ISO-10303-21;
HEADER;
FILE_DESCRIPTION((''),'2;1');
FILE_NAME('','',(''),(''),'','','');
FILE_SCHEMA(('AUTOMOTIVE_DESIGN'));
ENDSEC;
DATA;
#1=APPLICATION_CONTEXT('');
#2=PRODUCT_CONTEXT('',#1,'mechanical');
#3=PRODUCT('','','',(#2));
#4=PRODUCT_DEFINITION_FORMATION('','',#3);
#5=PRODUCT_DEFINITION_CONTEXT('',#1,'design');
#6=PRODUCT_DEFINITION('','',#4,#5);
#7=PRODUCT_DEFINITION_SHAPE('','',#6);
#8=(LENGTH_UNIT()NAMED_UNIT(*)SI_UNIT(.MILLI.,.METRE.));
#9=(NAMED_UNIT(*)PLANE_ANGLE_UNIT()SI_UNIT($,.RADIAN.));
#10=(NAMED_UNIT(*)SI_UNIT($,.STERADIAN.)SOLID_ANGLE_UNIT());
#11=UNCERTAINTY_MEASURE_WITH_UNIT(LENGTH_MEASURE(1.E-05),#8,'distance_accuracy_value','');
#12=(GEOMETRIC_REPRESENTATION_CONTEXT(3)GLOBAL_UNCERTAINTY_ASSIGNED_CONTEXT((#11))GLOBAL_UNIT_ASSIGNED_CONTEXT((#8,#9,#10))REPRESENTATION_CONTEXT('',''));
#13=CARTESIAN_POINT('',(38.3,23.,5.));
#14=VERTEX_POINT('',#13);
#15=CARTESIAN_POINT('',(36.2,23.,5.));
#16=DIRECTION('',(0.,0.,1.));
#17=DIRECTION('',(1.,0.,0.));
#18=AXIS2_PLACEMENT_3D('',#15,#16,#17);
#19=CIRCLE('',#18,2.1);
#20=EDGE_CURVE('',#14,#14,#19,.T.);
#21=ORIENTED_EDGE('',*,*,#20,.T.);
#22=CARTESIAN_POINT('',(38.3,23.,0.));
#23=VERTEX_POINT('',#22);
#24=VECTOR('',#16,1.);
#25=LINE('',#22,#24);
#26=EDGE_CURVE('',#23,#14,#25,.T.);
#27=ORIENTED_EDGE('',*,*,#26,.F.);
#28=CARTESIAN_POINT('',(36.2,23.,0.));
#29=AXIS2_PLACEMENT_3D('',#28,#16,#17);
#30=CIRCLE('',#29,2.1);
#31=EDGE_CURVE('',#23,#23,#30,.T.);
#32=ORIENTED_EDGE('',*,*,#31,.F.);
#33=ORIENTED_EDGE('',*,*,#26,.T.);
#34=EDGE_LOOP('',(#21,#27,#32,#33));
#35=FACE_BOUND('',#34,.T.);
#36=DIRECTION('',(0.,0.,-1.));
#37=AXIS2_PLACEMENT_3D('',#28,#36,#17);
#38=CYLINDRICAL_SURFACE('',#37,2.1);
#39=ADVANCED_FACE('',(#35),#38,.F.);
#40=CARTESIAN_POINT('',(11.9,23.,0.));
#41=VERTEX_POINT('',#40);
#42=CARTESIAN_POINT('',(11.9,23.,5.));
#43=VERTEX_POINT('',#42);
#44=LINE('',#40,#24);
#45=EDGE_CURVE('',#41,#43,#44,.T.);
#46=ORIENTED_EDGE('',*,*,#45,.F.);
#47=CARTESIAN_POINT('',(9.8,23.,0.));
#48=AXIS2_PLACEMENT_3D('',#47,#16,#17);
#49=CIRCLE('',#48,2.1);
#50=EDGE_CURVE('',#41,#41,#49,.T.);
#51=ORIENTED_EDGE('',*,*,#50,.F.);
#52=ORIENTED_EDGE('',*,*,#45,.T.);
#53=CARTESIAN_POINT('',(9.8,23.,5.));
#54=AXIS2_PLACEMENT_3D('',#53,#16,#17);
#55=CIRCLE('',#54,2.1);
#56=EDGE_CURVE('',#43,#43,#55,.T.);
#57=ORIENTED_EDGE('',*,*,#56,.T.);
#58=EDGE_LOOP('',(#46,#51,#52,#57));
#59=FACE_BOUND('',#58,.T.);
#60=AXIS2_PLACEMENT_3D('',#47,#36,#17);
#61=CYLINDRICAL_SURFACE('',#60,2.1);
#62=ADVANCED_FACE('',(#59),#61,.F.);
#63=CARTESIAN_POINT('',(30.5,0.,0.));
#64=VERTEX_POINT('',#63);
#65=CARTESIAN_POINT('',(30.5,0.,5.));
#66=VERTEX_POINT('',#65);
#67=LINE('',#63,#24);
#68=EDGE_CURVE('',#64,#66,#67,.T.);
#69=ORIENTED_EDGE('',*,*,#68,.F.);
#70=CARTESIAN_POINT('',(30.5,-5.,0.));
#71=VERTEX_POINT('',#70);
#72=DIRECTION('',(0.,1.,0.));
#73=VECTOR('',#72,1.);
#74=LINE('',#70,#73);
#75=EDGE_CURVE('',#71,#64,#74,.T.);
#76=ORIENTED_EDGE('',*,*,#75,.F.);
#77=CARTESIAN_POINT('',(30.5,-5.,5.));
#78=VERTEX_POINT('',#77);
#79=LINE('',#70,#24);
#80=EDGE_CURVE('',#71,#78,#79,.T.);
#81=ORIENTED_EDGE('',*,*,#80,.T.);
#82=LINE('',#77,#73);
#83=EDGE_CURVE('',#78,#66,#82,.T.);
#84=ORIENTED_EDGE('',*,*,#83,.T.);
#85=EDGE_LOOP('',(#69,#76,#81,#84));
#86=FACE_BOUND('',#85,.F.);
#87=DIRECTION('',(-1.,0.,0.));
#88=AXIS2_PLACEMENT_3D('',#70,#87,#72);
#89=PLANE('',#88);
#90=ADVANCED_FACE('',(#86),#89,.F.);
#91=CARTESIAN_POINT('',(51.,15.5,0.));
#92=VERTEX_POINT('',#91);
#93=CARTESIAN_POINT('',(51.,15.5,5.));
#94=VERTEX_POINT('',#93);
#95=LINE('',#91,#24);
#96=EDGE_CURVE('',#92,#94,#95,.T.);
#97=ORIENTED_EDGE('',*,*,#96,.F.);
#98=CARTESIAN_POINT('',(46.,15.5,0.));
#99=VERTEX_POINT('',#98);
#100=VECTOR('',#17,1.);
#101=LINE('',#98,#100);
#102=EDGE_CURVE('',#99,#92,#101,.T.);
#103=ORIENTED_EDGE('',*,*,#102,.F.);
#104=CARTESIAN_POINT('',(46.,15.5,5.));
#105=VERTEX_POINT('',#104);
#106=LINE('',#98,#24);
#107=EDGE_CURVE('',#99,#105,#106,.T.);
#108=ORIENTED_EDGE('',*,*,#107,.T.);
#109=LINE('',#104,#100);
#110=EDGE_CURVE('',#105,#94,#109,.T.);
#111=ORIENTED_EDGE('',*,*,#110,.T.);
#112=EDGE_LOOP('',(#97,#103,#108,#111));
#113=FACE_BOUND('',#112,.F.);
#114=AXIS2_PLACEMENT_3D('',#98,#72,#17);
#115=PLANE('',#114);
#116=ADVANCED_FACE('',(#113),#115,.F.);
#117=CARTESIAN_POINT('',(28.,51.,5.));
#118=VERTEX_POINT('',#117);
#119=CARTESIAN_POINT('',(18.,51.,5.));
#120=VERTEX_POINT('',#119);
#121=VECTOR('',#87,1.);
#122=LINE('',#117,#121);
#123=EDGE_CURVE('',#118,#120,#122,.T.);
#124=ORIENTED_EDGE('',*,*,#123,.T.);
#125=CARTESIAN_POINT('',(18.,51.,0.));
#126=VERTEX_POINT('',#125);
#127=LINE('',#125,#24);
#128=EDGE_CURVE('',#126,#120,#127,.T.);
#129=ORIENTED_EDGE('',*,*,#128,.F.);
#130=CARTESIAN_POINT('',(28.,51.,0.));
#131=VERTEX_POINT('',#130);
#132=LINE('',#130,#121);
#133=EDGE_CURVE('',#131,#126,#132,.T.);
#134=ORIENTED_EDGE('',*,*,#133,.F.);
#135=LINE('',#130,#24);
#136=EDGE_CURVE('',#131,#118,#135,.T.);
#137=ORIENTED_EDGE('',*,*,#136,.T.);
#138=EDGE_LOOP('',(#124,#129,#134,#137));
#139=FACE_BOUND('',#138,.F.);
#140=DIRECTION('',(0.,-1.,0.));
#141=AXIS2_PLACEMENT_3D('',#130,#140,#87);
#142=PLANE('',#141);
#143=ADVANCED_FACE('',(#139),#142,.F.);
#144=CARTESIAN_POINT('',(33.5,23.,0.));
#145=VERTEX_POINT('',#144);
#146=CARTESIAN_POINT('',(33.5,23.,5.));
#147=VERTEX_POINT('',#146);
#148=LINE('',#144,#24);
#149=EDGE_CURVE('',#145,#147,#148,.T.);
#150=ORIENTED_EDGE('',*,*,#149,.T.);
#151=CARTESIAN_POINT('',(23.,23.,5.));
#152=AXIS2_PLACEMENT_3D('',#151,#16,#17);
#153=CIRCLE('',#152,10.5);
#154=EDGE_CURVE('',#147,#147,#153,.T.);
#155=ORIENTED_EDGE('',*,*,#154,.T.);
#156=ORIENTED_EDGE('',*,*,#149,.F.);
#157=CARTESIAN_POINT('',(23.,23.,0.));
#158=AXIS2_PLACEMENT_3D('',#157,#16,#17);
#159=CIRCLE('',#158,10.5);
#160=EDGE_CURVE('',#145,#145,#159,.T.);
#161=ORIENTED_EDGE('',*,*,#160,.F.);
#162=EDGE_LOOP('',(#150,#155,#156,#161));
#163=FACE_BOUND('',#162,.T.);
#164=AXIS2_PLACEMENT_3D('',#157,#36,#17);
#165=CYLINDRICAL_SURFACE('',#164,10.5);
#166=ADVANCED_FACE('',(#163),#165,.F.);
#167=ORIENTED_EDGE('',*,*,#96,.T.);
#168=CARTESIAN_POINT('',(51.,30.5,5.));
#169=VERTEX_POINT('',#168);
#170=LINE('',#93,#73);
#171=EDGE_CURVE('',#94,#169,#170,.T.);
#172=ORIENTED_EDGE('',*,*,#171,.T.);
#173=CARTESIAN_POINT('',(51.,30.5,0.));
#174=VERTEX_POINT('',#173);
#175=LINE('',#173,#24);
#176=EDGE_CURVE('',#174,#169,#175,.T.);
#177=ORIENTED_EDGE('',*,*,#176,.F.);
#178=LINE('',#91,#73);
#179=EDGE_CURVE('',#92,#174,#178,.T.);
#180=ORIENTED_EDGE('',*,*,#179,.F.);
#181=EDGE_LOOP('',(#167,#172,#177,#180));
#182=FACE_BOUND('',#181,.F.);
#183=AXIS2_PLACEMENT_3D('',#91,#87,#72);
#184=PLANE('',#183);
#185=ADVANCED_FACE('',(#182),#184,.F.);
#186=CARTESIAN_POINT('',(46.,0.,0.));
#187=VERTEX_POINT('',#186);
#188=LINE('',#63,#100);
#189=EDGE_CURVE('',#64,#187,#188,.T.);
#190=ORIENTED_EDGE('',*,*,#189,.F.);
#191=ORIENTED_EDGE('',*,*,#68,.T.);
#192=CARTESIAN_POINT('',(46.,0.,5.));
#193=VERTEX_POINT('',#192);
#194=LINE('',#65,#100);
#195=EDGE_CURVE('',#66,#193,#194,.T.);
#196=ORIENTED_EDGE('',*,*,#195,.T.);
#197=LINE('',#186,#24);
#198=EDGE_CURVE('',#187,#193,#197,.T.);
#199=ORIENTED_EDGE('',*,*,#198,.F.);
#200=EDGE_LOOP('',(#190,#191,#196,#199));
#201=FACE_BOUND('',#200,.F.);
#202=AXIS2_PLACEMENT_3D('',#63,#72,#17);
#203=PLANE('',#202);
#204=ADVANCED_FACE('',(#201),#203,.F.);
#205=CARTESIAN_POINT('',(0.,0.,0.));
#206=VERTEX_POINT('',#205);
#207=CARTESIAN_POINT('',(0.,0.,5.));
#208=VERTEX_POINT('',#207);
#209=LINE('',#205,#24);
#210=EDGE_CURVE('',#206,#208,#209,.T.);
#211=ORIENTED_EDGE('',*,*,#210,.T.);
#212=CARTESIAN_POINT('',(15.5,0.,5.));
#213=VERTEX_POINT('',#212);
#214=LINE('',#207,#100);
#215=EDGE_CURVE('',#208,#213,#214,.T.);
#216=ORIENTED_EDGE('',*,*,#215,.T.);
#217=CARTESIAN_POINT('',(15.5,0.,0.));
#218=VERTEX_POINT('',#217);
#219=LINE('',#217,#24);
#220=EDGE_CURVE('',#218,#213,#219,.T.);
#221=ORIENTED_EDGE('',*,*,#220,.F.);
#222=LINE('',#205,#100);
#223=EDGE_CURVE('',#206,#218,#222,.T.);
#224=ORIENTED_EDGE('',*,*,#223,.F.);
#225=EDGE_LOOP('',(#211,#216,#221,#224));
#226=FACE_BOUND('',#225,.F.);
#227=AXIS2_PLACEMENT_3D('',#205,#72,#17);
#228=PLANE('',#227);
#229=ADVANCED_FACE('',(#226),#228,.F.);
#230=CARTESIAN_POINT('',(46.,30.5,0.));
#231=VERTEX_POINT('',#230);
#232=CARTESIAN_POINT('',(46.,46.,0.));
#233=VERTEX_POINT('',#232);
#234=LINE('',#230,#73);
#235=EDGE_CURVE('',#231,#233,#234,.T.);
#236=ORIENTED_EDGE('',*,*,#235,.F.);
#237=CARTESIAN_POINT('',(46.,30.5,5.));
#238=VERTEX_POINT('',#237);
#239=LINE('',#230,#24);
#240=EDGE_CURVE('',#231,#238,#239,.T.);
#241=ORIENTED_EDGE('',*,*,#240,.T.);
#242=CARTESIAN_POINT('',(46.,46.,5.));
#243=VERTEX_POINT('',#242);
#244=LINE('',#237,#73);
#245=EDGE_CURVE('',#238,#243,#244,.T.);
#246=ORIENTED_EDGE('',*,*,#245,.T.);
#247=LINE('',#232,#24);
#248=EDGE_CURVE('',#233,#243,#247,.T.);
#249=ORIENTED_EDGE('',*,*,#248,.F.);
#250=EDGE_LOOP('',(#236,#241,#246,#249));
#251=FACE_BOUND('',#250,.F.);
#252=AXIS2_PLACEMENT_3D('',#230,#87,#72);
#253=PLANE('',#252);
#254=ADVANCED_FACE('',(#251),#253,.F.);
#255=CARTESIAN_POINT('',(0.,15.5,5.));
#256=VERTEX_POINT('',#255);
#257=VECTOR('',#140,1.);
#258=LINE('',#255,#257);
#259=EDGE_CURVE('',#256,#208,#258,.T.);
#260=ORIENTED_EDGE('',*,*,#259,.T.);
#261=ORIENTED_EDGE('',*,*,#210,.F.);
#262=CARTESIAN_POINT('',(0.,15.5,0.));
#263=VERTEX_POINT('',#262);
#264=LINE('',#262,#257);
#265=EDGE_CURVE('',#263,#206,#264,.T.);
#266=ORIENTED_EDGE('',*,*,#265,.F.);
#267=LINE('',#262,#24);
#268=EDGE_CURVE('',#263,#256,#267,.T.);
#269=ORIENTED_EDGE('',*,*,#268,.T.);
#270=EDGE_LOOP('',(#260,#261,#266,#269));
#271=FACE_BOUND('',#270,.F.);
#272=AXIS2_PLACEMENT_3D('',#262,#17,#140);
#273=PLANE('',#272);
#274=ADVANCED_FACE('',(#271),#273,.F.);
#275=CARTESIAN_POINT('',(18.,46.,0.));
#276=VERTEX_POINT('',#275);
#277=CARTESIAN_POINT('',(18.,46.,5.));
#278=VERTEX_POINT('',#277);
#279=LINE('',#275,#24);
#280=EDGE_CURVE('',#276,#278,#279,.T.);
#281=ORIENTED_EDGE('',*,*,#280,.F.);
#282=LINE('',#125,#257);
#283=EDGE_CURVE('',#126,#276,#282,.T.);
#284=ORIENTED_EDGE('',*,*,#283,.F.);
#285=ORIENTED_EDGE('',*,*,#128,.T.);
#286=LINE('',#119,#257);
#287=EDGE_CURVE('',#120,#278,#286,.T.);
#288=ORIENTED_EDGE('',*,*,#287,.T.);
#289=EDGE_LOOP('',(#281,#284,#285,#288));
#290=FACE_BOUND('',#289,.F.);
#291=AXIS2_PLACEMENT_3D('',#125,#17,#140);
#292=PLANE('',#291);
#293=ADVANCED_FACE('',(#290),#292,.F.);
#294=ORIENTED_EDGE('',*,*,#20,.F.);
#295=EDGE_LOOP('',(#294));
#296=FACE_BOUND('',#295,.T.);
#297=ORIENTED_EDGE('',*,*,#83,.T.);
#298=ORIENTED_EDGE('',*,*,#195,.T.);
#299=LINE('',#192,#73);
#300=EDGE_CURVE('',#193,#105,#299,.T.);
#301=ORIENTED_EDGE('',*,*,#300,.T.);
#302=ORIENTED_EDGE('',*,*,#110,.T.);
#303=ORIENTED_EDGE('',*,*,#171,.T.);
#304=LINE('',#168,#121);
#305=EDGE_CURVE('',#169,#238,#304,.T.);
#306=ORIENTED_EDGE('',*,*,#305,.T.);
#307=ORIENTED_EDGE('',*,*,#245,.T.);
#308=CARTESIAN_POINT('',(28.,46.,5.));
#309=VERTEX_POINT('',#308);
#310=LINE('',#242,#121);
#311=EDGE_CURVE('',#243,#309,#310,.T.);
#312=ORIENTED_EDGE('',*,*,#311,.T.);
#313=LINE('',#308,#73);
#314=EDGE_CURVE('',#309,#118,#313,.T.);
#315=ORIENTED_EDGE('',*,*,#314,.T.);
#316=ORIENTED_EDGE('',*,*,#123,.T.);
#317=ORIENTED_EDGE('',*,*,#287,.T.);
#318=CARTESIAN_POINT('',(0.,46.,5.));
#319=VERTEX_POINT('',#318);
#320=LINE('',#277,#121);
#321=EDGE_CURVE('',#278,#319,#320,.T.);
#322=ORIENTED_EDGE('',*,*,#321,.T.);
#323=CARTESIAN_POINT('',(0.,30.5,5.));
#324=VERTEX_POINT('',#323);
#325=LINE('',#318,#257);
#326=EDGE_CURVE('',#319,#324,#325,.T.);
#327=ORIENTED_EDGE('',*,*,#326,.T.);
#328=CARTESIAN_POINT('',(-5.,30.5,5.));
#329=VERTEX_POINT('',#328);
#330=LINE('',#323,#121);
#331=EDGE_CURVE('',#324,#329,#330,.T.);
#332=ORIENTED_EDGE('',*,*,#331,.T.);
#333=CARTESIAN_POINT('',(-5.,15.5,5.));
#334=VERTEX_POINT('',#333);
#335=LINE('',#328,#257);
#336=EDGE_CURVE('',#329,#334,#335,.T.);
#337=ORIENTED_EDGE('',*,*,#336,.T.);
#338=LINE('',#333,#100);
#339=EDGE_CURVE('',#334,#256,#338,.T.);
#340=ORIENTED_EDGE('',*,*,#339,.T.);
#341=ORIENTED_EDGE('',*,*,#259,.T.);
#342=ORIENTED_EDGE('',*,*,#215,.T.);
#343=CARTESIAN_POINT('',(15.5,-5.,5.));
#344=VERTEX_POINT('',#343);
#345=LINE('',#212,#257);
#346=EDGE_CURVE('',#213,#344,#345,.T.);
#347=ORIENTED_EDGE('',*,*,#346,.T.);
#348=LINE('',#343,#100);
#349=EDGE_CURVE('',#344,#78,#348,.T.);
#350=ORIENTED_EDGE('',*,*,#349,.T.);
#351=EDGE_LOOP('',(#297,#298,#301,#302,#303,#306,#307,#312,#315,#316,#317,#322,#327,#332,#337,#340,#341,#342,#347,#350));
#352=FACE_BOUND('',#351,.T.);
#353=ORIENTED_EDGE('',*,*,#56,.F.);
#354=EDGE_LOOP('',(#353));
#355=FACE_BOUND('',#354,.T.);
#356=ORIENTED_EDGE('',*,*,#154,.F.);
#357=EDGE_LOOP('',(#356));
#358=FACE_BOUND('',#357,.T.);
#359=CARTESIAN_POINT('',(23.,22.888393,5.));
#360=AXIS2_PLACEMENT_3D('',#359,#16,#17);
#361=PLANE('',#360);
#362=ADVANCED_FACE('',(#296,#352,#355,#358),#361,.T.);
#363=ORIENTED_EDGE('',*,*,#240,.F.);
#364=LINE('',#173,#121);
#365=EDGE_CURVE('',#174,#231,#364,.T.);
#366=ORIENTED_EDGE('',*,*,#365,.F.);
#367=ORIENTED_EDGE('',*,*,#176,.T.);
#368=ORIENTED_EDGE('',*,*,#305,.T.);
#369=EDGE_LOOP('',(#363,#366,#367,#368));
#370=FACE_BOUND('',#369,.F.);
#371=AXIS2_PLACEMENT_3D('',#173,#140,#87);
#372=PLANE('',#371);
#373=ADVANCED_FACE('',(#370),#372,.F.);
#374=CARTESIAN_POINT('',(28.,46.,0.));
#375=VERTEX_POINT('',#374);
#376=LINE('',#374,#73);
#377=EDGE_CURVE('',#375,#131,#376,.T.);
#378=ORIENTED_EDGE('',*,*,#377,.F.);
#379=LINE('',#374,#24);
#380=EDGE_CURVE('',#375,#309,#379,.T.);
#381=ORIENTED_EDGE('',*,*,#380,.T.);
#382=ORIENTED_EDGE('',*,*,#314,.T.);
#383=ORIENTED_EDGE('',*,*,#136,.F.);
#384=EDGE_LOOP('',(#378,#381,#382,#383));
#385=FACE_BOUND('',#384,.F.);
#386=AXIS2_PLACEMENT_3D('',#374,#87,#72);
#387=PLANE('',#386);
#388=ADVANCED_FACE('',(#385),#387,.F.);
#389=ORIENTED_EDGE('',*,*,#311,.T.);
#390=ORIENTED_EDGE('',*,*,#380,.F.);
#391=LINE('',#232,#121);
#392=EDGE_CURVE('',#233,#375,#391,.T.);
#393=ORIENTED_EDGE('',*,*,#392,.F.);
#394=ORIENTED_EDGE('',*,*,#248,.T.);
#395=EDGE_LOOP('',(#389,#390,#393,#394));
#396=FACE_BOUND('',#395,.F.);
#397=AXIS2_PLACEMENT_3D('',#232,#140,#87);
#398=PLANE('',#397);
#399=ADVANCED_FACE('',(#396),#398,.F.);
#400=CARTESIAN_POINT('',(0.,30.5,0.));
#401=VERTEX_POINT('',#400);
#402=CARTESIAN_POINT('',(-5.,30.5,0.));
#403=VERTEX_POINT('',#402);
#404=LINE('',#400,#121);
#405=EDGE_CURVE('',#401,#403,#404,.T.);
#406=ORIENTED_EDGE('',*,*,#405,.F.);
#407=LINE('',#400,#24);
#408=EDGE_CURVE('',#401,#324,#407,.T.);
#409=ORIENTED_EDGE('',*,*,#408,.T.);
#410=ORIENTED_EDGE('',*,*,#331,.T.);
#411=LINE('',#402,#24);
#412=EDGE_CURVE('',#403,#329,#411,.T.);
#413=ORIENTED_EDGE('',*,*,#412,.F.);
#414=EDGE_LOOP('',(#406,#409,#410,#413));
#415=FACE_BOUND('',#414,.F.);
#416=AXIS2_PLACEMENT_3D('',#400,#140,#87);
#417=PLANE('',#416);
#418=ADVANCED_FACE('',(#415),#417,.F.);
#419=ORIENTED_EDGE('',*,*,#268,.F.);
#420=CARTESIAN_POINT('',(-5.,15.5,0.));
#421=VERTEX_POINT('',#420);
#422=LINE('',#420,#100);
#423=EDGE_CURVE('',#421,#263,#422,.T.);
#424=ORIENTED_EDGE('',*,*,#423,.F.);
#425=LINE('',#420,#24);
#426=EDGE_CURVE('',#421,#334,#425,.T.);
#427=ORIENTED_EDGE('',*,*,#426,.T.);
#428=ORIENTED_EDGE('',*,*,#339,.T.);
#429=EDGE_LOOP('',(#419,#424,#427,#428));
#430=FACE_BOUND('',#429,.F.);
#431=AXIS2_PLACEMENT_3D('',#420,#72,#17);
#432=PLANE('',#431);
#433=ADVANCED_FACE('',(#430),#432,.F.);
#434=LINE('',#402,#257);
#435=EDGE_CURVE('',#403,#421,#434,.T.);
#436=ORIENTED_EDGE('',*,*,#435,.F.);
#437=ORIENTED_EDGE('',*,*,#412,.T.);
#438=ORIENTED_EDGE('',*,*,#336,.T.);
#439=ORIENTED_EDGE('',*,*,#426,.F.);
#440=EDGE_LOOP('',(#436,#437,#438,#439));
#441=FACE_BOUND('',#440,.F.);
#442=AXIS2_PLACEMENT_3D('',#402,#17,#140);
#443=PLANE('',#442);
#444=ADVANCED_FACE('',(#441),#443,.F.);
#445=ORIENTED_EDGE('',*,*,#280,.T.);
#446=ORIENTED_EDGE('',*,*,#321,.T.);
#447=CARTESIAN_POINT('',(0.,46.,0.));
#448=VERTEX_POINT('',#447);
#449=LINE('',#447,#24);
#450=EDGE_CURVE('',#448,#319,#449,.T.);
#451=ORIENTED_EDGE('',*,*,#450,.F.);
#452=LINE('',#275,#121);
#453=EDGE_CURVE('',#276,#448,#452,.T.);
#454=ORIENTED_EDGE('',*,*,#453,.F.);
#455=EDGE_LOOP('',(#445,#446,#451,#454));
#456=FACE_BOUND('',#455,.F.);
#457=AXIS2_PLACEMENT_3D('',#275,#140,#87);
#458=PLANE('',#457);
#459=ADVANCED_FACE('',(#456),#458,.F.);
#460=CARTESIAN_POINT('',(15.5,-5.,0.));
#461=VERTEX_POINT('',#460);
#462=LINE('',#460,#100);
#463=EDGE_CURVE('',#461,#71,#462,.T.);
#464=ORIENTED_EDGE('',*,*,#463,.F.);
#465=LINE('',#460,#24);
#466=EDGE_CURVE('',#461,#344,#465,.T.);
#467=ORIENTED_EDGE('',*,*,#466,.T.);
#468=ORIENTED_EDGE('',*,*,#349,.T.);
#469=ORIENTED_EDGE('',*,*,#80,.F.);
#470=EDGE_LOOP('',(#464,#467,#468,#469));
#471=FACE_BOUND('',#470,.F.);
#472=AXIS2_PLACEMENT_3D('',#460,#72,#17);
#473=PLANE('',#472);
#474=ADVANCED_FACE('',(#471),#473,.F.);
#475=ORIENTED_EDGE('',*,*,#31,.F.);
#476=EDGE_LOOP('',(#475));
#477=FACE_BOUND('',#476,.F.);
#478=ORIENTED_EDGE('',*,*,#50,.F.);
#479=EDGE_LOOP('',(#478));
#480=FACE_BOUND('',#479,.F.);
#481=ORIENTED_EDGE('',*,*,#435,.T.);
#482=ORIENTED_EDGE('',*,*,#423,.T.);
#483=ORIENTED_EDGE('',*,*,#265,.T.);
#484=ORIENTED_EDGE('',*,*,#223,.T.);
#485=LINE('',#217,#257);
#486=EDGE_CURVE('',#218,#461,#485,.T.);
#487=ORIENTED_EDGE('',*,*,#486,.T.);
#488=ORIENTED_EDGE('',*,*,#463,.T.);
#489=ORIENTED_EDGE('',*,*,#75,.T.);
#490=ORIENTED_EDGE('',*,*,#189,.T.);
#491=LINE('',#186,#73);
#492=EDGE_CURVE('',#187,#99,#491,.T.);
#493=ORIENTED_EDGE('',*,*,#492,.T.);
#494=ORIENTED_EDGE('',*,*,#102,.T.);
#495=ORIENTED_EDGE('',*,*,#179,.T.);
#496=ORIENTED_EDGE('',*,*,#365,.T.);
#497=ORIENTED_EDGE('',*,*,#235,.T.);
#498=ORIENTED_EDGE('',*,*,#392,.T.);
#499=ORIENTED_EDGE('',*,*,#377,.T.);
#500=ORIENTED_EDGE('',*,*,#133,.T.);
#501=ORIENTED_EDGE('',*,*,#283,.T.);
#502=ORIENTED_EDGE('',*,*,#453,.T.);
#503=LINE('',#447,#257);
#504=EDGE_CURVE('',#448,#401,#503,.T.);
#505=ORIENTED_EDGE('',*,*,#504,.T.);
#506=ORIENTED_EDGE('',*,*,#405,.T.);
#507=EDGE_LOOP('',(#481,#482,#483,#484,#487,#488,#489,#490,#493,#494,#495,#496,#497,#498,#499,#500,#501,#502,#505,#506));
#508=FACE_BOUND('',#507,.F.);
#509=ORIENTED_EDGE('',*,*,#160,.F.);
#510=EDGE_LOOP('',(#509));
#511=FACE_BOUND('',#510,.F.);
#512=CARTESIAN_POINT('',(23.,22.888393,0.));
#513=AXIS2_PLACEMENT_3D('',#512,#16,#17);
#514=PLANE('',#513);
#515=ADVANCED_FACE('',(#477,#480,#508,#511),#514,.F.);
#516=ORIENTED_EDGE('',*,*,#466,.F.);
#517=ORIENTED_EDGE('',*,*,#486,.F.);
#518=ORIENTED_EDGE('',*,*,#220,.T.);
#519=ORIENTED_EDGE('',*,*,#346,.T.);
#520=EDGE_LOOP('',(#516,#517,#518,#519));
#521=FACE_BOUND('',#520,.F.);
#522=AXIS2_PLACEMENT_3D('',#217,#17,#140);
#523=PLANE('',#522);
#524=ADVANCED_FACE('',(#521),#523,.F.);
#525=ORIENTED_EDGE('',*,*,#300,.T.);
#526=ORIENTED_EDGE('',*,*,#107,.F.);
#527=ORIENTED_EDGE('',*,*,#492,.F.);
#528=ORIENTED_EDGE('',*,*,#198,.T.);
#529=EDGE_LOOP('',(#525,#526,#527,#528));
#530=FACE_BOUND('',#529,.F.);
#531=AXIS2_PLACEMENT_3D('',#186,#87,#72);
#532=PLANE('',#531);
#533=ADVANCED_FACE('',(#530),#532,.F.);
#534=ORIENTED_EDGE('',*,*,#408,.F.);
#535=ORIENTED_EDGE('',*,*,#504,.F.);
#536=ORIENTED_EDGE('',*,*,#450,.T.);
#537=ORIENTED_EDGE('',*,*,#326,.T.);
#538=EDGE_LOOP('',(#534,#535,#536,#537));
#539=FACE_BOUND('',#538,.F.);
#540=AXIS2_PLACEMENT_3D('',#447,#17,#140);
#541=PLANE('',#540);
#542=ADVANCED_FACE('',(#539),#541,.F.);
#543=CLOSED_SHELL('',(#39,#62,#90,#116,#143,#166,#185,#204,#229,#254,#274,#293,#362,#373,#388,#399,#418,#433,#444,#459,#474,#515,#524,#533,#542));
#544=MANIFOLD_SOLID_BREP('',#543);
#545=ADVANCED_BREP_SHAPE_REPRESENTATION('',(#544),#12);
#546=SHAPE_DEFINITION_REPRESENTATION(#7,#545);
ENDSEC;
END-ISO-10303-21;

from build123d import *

# Parameters (mm, degrees)
F1_R     = 2.1
F1_R_2   = 10.5
F2_DEPTH = 5


with BuildPart() as f2:
    # F1 (on Top) → F2 (new body)
    with BuildSketch(Plane.XY):
        Polygon((0, 15.5), (0, 0), (15.5, 0), (15.5, -5), (30.5, -5), (30.5, 0), (46, 0), (46, 15.5), (51, 15.5), (51, 30.5), (46, 30.5), (46, 46), (28, 46), (28, 51), (18, 51), (18, 46), (0, 46), (0, 30.5), (-5, 30.5), (-5, 15.5), align=None)
        with Locations((9.8, 23)):
            Circle(F1_R, mode=Mode.SUBTRACT)
        with Locations((23, 23)):
            Circle(F1_R_2, mode=Mode.SUBTRACT)
        with Locations((36.2, 23)):
            Circle(F1_R, mode=Mode.SUBTRACT)
    extrude(amount=F2_DEPTH)


solid = f2.part
